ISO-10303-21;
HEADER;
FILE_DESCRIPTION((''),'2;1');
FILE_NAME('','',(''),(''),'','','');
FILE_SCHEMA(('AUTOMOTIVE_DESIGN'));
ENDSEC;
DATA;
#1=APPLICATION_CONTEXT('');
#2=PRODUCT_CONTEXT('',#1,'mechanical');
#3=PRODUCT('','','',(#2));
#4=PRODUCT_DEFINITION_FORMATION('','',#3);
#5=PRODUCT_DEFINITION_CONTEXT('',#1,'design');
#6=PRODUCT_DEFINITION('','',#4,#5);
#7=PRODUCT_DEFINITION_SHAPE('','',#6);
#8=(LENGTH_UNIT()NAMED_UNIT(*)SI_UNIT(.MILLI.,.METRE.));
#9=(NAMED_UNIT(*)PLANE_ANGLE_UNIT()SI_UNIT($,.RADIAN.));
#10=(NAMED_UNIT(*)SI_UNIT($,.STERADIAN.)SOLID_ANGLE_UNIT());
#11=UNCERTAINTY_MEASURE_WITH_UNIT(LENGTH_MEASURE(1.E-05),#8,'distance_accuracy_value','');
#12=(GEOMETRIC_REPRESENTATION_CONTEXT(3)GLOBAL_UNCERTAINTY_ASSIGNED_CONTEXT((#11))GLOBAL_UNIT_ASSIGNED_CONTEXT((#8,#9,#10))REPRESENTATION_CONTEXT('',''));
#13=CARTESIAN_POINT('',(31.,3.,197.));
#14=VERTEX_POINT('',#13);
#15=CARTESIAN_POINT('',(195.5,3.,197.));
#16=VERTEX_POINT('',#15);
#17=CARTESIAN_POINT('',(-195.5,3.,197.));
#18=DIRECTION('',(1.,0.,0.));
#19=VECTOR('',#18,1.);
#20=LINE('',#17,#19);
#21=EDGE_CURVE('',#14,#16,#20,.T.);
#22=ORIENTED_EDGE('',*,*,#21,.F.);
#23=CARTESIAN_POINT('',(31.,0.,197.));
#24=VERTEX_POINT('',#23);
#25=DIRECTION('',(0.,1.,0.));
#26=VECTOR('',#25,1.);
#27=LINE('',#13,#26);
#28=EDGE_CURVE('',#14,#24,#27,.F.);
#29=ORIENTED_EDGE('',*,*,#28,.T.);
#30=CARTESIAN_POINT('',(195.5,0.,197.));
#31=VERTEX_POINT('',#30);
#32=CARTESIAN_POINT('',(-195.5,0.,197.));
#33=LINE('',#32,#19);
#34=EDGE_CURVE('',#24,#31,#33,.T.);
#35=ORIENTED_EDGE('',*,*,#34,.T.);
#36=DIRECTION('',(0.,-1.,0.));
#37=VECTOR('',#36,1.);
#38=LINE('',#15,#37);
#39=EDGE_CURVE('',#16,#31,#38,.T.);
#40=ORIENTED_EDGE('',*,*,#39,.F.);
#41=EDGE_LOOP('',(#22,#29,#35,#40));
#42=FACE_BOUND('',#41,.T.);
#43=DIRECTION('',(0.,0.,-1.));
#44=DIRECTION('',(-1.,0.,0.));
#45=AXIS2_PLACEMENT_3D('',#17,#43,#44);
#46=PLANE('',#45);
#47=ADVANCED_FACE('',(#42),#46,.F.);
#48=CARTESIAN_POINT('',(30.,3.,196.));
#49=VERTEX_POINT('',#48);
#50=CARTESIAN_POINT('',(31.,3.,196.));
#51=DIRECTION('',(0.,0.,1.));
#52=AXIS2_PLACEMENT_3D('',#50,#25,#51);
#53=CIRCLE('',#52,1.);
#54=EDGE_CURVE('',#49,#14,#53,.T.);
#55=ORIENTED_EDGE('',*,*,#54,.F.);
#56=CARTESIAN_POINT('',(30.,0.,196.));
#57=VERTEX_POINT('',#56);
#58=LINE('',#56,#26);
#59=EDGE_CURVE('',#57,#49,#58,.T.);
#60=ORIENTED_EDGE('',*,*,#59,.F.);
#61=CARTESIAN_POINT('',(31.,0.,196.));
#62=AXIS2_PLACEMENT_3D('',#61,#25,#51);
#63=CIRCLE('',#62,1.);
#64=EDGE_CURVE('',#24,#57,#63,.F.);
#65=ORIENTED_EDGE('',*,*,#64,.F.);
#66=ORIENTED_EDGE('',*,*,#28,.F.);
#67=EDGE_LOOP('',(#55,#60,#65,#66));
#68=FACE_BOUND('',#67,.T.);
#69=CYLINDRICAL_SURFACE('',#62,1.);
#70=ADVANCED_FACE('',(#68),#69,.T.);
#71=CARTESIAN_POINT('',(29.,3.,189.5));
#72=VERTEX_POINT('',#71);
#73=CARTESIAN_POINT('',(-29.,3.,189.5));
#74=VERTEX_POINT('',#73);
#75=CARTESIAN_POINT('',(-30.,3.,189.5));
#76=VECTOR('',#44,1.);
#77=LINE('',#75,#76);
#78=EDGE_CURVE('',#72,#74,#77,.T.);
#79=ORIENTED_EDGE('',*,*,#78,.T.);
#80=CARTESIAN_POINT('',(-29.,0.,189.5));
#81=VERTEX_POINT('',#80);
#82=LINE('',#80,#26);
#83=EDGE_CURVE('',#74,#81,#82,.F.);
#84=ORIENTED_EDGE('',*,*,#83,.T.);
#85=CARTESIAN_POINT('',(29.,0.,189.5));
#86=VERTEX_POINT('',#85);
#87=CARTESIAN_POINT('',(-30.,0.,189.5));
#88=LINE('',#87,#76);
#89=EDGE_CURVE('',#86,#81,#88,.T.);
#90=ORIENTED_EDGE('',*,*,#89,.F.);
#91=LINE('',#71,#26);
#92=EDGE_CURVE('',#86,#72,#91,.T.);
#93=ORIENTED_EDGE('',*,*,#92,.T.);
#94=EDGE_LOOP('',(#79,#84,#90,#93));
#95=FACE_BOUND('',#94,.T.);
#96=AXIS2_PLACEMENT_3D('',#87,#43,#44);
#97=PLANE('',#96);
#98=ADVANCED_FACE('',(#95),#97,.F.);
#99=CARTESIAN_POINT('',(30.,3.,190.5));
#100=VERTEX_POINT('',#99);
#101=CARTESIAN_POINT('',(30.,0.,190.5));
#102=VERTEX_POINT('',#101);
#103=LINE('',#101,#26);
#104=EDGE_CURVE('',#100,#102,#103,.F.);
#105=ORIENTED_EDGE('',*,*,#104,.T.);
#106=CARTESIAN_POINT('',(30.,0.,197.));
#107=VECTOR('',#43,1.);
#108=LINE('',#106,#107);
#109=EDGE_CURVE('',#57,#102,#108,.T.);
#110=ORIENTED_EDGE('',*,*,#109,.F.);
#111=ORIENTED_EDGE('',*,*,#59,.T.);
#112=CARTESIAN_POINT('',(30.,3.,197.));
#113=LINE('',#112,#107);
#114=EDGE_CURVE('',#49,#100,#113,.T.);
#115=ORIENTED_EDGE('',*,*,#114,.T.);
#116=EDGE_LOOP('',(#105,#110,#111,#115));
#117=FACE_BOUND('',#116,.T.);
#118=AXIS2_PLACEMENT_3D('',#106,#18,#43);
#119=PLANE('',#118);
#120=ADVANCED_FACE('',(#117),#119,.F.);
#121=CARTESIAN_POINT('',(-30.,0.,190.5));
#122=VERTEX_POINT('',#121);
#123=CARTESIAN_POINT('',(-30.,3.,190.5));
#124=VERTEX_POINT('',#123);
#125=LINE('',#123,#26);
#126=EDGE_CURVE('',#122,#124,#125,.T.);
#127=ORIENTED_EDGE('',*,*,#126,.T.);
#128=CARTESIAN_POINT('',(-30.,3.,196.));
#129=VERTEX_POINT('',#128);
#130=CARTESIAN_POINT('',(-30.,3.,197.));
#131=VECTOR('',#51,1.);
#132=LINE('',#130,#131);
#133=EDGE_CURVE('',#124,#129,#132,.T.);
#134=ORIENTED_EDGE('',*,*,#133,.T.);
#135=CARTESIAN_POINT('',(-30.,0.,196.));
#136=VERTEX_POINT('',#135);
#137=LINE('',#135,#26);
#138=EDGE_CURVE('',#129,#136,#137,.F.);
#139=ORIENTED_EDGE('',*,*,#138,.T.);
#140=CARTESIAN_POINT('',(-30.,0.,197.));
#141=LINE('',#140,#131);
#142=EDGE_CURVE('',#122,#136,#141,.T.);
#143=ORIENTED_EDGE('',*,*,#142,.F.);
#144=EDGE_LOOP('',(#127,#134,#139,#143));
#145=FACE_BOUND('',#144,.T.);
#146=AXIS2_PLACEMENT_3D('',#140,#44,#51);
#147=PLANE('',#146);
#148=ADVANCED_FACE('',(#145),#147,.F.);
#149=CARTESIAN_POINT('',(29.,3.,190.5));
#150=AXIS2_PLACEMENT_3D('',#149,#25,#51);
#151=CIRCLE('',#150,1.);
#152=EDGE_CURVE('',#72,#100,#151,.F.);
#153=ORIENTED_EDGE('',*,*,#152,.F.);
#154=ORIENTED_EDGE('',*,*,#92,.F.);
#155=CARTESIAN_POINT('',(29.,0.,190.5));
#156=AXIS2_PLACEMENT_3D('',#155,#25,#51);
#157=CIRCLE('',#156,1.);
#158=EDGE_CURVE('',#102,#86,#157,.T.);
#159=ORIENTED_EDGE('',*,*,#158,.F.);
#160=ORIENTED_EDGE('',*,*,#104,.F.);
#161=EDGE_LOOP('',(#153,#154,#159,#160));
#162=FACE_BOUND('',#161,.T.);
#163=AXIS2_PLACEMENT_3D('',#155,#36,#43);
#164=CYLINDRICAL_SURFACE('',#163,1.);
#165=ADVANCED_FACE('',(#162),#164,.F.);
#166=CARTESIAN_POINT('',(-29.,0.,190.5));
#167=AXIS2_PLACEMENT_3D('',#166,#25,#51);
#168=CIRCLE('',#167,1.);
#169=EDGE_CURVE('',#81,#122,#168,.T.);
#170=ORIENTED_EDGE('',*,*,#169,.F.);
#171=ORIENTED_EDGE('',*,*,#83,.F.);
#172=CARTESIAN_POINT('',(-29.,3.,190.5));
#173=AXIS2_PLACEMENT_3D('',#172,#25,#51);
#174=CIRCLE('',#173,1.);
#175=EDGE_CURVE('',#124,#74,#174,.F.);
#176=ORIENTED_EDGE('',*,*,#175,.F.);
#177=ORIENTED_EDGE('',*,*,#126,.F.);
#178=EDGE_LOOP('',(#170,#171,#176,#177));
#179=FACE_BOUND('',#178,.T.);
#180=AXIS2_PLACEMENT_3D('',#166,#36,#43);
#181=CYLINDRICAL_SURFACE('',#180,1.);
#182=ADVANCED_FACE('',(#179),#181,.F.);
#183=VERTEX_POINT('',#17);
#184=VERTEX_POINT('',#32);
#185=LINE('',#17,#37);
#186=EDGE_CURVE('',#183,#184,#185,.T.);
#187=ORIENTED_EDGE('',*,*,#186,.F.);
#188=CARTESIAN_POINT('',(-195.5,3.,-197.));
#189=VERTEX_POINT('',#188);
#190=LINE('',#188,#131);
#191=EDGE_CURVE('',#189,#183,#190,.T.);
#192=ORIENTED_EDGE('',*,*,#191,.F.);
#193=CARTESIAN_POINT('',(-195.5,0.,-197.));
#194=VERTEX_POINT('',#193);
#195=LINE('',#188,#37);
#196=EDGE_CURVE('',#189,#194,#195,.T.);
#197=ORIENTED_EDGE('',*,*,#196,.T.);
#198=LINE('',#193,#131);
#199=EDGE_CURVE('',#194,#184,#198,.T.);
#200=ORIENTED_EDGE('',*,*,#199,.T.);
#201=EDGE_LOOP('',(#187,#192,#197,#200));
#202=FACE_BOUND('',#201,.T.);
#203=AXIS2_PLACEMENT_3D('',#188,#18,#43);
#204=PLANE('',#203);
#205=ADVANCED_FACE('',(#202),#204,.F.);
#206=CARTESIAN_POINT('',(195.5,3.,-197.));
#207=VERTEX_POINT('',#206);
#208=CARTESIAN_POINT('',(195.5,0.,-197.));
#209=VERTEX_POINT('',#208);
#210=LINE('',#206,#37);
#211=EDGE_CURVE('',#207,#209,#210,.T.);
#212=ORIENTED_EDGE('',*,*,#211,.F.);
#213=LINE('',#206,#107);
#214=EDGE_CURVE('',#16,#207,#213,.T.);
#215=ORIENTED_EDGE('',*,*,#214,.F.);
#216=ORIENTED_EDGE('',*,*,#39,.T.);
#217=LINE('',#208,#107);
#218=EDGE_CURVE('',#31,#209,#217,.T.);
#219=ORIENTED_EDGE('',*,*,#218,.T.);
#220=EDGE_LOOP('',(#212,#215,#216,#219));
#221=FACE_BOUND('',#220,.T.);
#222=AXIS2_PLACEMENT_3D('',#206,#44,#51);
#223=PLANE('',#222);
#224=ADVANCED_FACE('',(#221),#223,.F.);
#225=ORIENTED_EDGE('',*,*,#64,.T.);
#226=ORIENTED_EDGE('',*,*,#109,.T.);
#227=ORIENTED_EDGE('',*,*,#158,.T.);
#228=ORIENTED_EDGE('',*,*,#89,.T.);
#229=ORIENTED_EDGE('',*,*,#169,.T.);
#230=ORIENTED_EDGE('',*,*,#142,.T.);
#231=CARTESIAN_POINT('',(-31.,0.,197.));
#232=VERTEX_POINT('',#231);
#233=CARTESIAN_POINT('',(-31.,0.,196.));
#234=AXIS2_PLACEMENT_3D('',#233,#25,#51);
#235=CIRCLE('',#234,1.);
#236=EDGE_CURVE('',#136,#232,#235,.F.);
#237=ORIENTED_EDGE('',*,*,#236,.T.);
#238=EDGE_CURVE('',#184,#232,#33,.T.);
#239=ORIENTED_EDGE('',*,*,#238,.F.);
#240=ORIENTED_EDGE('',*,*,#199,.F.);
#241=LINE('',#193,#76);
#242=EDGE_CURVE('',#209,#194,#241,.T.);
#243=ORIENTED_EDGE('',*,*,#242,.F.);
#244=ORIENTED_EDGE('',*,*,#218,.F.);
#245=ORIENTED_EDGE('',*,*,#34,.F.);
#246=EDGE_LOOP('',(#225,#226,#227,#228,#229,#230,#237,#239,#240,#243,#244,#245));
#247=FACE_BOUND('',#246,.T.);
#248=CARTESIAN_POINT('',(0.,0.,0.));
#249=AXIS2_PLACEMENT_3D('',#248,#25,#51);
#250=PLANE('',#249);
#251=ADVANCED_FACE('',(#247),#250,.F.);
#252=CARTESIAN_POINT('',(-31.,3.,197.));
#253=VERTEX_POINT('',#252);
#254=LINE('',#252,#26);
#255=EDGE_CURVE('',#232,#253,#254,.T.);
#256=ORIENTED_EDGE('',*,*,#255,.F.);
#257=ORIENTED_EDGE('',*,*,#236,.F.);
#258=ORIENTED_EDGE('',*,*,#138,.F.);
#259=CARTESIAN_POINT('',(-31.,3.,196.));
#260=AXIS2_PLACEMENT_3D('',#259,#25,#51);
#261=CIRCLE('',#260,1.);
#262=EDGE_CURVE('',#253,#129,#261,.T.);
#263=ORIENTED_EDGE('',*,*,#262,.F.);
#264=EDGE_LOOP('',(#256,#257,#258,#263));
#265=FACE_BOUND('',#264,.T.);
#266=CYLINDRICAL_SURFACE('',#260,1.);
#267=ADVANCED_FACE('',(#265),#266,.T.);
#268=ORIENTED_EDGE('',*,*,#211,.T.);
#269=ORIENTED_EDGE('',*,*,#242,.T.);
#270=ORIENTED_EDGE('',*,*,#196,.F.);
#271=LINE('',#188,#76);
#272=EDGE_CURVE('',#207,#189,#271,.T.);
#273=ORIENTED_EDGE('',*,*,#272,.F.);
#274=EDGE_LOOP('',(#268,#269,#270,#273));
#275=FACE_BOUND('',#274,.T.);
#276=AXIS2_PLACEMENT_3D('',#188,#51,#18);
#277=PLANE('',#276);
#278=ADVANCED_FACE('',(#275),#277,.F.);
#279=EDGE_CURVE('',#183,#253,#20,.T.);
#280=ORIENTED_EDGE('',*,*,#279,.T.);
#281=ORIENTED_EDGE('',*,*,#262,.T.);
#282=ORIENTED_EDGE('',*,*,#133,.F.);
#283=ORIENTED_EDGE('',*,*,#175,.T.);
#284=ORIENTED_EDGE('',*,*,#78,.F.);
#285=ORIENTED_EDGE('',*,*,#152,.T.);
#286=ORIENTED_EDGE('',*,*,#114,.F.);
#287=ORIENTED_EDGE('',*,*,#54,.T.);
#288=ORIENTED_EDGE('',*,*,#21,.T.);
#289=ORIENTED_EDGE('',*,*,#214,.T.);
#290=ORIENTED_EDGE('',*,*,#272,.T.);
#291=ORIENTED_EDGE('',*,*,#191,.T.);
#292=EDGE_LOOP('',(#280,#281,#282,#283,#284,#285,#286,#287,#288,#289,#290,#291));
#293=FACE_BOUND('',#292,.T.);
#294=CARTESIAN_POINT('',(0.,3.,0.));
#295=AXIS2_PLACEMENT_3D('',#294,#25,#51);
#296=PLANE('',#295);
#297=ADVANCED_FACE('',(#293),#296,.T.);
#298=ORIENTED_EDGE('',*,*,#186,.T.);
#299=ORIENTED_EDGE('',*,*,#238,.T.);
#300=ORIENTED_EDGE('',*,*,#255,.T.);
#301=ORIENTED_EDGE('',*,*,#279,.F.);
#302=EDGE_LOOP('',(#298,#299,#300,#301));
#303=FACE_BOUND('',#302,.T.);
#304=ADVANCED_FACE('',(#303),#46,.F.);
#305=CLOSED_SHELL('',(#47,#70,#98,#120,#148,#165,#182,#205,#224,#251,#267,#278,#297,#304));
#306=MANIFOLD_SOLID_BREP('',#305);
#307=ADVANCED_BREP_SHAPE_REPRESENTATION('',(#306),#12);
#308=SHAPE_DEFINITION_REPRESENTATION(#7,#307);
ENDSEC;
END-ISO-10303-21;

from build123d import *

# Parameters (mm, degrees)
SKETCH_1_W          = 391
SKETCH_1_H          = 394
EXTRUDE_1_DEPTH     = 3
SKETCH_2_W          = 60
SKETCH_2_H          = 7.5
CUT_EXTRUDE_1_DEPTH = 278.557651669
FILLET_1_R          = 1


with BuildPart() as part:
    # 草圖1 → 填料-伸長1 (new body)
    with BuildSketch(Plane(origin=(0, 0, 0), x_dir=(1, 0, 0), z_dir=(0, 1, 0))):
        Rectangle(SKETCH_1_W, SKETCH_1_H)
    extrude(amount=EXTRUDE_1_DEPTH)

    # 草圖2 → 除料-伸長1 (cut, through all)
    with BuildSketch(Plane(origin=(0, 3, 0), x_dir=(1, 0, 0), z_dir=(0, 1, 0))):
        with Locations((0, -193.25)):
            Rectangle(SKETCH_2_W, SKETCH_2_H)
    extrude(amount=-CUT_EXTRUDE_1_DEPTH, mode=Mode.SUBTRACT)

    # 圓角1
    fillet_1_edges = [part.edges().sort_by_distance(p)[0] for p in [
        (-30, 1.5, 197),
        (-30, 1.5, 189.5),
        (30, 1.5, 189.5),
        (30, 1.5, 197),
    ]]
    fillet(fillet_1_edges, radius=FILLET_1_R)


solid = part.part
